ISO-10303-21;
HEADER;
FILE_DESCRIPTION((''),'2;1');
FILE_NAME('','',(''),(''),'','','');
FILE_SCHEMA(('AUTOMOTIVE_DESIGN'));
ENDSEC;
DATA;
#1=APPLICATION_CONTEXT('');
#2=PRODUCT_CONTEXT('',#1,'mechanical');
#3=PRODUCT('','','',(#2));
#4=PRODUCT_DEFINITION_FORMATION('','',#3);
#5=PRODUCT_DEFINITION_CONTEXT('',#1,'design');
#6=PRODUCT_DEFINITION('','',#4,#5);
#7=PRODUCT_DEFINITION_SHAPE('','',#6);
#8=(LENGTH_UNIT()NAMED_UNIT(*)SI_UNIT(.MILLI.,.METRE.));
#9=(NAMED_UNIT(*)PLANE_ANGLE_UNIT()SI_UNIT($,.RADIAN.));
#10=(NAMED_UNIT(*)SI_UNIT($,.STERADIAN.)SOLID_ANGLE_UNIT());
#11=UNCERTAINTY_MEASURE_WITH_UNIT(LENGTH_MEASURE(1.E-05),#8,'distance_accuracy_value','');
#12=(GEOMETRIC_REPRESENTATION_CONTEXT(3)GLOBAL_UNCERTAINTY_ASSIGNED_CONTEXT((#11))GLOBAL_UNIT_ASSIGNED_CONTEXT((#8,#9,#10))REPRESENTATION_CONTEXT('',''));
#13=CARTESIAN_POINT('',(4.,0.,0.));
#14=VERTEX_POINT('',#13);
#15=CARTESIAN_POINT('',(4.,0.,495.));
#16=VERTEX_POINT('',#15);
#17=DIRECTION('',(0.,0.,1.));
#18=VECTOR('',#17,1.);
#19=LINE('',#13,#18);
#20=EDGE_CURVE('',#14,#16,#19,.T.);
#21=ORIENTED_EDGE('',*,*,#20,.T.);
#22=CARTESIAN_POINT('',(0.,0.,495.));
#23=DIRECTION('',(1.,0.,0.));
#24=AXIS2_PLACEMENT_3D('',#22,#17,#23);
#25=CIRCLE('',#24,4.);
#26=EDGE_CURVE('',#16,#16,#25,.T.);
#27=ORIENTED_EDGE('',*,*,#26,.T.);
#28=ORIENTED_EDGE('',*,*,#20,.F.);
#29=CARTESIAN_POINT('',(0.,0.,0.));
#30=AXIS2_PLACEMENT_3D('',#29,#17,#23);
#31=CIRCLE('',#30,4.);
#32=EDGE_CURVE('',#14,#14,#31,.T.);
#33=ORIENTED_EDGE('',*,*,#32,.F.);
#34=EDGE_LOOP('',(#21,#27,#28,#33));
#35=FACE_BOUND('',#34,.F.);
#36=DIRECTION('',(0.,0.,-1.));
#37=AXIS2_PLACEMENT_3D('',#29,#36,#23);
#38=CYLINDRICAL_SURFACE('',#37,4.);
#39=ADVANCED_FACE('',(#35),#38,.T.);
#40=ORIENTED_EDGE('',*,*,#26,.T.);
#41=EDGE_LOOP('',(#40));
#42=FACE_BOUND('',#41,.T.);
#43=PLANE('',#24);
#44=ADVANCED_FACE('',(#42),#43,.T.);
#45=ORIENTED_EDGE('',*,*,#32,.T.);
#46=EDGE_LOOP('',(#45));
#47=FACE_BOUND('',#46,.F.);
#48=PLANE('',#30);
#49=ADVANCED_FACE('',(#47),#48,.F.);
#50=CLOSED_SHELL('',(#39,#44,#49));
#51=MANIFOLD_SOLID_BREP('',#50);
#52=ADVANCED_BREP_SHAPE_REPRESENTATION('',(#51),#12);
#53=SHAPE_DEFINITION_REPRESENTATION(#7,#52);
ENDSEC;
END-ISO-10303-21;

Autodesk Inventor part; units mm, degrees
ref_plane "YZ Plane" through (0, 0, 0) normal (1, 0, 0) x (0, 1, 0)
ref_plane "XZ Plane" through (0, 0, 0) normal (0, 1, 0) x (-1, 0, 0)
ref_plane "XY Plane" through (0, 0, 0) normal (0, 0, 1) x (1, 0, 0)
sketch "Szkic1" plane through (0, 0, 0) normal (0, 0, 1) x (1, 0, 0)
  circle A0 centre (0, 0) radius 4
  dimension "d0" = 8
extrude "Wyciągnięcie proste1" add sketch "Szkic1" along normal blind 495
properties part number "CUT_495mm_8mm_Y_Axis_Pulley_Rod"
